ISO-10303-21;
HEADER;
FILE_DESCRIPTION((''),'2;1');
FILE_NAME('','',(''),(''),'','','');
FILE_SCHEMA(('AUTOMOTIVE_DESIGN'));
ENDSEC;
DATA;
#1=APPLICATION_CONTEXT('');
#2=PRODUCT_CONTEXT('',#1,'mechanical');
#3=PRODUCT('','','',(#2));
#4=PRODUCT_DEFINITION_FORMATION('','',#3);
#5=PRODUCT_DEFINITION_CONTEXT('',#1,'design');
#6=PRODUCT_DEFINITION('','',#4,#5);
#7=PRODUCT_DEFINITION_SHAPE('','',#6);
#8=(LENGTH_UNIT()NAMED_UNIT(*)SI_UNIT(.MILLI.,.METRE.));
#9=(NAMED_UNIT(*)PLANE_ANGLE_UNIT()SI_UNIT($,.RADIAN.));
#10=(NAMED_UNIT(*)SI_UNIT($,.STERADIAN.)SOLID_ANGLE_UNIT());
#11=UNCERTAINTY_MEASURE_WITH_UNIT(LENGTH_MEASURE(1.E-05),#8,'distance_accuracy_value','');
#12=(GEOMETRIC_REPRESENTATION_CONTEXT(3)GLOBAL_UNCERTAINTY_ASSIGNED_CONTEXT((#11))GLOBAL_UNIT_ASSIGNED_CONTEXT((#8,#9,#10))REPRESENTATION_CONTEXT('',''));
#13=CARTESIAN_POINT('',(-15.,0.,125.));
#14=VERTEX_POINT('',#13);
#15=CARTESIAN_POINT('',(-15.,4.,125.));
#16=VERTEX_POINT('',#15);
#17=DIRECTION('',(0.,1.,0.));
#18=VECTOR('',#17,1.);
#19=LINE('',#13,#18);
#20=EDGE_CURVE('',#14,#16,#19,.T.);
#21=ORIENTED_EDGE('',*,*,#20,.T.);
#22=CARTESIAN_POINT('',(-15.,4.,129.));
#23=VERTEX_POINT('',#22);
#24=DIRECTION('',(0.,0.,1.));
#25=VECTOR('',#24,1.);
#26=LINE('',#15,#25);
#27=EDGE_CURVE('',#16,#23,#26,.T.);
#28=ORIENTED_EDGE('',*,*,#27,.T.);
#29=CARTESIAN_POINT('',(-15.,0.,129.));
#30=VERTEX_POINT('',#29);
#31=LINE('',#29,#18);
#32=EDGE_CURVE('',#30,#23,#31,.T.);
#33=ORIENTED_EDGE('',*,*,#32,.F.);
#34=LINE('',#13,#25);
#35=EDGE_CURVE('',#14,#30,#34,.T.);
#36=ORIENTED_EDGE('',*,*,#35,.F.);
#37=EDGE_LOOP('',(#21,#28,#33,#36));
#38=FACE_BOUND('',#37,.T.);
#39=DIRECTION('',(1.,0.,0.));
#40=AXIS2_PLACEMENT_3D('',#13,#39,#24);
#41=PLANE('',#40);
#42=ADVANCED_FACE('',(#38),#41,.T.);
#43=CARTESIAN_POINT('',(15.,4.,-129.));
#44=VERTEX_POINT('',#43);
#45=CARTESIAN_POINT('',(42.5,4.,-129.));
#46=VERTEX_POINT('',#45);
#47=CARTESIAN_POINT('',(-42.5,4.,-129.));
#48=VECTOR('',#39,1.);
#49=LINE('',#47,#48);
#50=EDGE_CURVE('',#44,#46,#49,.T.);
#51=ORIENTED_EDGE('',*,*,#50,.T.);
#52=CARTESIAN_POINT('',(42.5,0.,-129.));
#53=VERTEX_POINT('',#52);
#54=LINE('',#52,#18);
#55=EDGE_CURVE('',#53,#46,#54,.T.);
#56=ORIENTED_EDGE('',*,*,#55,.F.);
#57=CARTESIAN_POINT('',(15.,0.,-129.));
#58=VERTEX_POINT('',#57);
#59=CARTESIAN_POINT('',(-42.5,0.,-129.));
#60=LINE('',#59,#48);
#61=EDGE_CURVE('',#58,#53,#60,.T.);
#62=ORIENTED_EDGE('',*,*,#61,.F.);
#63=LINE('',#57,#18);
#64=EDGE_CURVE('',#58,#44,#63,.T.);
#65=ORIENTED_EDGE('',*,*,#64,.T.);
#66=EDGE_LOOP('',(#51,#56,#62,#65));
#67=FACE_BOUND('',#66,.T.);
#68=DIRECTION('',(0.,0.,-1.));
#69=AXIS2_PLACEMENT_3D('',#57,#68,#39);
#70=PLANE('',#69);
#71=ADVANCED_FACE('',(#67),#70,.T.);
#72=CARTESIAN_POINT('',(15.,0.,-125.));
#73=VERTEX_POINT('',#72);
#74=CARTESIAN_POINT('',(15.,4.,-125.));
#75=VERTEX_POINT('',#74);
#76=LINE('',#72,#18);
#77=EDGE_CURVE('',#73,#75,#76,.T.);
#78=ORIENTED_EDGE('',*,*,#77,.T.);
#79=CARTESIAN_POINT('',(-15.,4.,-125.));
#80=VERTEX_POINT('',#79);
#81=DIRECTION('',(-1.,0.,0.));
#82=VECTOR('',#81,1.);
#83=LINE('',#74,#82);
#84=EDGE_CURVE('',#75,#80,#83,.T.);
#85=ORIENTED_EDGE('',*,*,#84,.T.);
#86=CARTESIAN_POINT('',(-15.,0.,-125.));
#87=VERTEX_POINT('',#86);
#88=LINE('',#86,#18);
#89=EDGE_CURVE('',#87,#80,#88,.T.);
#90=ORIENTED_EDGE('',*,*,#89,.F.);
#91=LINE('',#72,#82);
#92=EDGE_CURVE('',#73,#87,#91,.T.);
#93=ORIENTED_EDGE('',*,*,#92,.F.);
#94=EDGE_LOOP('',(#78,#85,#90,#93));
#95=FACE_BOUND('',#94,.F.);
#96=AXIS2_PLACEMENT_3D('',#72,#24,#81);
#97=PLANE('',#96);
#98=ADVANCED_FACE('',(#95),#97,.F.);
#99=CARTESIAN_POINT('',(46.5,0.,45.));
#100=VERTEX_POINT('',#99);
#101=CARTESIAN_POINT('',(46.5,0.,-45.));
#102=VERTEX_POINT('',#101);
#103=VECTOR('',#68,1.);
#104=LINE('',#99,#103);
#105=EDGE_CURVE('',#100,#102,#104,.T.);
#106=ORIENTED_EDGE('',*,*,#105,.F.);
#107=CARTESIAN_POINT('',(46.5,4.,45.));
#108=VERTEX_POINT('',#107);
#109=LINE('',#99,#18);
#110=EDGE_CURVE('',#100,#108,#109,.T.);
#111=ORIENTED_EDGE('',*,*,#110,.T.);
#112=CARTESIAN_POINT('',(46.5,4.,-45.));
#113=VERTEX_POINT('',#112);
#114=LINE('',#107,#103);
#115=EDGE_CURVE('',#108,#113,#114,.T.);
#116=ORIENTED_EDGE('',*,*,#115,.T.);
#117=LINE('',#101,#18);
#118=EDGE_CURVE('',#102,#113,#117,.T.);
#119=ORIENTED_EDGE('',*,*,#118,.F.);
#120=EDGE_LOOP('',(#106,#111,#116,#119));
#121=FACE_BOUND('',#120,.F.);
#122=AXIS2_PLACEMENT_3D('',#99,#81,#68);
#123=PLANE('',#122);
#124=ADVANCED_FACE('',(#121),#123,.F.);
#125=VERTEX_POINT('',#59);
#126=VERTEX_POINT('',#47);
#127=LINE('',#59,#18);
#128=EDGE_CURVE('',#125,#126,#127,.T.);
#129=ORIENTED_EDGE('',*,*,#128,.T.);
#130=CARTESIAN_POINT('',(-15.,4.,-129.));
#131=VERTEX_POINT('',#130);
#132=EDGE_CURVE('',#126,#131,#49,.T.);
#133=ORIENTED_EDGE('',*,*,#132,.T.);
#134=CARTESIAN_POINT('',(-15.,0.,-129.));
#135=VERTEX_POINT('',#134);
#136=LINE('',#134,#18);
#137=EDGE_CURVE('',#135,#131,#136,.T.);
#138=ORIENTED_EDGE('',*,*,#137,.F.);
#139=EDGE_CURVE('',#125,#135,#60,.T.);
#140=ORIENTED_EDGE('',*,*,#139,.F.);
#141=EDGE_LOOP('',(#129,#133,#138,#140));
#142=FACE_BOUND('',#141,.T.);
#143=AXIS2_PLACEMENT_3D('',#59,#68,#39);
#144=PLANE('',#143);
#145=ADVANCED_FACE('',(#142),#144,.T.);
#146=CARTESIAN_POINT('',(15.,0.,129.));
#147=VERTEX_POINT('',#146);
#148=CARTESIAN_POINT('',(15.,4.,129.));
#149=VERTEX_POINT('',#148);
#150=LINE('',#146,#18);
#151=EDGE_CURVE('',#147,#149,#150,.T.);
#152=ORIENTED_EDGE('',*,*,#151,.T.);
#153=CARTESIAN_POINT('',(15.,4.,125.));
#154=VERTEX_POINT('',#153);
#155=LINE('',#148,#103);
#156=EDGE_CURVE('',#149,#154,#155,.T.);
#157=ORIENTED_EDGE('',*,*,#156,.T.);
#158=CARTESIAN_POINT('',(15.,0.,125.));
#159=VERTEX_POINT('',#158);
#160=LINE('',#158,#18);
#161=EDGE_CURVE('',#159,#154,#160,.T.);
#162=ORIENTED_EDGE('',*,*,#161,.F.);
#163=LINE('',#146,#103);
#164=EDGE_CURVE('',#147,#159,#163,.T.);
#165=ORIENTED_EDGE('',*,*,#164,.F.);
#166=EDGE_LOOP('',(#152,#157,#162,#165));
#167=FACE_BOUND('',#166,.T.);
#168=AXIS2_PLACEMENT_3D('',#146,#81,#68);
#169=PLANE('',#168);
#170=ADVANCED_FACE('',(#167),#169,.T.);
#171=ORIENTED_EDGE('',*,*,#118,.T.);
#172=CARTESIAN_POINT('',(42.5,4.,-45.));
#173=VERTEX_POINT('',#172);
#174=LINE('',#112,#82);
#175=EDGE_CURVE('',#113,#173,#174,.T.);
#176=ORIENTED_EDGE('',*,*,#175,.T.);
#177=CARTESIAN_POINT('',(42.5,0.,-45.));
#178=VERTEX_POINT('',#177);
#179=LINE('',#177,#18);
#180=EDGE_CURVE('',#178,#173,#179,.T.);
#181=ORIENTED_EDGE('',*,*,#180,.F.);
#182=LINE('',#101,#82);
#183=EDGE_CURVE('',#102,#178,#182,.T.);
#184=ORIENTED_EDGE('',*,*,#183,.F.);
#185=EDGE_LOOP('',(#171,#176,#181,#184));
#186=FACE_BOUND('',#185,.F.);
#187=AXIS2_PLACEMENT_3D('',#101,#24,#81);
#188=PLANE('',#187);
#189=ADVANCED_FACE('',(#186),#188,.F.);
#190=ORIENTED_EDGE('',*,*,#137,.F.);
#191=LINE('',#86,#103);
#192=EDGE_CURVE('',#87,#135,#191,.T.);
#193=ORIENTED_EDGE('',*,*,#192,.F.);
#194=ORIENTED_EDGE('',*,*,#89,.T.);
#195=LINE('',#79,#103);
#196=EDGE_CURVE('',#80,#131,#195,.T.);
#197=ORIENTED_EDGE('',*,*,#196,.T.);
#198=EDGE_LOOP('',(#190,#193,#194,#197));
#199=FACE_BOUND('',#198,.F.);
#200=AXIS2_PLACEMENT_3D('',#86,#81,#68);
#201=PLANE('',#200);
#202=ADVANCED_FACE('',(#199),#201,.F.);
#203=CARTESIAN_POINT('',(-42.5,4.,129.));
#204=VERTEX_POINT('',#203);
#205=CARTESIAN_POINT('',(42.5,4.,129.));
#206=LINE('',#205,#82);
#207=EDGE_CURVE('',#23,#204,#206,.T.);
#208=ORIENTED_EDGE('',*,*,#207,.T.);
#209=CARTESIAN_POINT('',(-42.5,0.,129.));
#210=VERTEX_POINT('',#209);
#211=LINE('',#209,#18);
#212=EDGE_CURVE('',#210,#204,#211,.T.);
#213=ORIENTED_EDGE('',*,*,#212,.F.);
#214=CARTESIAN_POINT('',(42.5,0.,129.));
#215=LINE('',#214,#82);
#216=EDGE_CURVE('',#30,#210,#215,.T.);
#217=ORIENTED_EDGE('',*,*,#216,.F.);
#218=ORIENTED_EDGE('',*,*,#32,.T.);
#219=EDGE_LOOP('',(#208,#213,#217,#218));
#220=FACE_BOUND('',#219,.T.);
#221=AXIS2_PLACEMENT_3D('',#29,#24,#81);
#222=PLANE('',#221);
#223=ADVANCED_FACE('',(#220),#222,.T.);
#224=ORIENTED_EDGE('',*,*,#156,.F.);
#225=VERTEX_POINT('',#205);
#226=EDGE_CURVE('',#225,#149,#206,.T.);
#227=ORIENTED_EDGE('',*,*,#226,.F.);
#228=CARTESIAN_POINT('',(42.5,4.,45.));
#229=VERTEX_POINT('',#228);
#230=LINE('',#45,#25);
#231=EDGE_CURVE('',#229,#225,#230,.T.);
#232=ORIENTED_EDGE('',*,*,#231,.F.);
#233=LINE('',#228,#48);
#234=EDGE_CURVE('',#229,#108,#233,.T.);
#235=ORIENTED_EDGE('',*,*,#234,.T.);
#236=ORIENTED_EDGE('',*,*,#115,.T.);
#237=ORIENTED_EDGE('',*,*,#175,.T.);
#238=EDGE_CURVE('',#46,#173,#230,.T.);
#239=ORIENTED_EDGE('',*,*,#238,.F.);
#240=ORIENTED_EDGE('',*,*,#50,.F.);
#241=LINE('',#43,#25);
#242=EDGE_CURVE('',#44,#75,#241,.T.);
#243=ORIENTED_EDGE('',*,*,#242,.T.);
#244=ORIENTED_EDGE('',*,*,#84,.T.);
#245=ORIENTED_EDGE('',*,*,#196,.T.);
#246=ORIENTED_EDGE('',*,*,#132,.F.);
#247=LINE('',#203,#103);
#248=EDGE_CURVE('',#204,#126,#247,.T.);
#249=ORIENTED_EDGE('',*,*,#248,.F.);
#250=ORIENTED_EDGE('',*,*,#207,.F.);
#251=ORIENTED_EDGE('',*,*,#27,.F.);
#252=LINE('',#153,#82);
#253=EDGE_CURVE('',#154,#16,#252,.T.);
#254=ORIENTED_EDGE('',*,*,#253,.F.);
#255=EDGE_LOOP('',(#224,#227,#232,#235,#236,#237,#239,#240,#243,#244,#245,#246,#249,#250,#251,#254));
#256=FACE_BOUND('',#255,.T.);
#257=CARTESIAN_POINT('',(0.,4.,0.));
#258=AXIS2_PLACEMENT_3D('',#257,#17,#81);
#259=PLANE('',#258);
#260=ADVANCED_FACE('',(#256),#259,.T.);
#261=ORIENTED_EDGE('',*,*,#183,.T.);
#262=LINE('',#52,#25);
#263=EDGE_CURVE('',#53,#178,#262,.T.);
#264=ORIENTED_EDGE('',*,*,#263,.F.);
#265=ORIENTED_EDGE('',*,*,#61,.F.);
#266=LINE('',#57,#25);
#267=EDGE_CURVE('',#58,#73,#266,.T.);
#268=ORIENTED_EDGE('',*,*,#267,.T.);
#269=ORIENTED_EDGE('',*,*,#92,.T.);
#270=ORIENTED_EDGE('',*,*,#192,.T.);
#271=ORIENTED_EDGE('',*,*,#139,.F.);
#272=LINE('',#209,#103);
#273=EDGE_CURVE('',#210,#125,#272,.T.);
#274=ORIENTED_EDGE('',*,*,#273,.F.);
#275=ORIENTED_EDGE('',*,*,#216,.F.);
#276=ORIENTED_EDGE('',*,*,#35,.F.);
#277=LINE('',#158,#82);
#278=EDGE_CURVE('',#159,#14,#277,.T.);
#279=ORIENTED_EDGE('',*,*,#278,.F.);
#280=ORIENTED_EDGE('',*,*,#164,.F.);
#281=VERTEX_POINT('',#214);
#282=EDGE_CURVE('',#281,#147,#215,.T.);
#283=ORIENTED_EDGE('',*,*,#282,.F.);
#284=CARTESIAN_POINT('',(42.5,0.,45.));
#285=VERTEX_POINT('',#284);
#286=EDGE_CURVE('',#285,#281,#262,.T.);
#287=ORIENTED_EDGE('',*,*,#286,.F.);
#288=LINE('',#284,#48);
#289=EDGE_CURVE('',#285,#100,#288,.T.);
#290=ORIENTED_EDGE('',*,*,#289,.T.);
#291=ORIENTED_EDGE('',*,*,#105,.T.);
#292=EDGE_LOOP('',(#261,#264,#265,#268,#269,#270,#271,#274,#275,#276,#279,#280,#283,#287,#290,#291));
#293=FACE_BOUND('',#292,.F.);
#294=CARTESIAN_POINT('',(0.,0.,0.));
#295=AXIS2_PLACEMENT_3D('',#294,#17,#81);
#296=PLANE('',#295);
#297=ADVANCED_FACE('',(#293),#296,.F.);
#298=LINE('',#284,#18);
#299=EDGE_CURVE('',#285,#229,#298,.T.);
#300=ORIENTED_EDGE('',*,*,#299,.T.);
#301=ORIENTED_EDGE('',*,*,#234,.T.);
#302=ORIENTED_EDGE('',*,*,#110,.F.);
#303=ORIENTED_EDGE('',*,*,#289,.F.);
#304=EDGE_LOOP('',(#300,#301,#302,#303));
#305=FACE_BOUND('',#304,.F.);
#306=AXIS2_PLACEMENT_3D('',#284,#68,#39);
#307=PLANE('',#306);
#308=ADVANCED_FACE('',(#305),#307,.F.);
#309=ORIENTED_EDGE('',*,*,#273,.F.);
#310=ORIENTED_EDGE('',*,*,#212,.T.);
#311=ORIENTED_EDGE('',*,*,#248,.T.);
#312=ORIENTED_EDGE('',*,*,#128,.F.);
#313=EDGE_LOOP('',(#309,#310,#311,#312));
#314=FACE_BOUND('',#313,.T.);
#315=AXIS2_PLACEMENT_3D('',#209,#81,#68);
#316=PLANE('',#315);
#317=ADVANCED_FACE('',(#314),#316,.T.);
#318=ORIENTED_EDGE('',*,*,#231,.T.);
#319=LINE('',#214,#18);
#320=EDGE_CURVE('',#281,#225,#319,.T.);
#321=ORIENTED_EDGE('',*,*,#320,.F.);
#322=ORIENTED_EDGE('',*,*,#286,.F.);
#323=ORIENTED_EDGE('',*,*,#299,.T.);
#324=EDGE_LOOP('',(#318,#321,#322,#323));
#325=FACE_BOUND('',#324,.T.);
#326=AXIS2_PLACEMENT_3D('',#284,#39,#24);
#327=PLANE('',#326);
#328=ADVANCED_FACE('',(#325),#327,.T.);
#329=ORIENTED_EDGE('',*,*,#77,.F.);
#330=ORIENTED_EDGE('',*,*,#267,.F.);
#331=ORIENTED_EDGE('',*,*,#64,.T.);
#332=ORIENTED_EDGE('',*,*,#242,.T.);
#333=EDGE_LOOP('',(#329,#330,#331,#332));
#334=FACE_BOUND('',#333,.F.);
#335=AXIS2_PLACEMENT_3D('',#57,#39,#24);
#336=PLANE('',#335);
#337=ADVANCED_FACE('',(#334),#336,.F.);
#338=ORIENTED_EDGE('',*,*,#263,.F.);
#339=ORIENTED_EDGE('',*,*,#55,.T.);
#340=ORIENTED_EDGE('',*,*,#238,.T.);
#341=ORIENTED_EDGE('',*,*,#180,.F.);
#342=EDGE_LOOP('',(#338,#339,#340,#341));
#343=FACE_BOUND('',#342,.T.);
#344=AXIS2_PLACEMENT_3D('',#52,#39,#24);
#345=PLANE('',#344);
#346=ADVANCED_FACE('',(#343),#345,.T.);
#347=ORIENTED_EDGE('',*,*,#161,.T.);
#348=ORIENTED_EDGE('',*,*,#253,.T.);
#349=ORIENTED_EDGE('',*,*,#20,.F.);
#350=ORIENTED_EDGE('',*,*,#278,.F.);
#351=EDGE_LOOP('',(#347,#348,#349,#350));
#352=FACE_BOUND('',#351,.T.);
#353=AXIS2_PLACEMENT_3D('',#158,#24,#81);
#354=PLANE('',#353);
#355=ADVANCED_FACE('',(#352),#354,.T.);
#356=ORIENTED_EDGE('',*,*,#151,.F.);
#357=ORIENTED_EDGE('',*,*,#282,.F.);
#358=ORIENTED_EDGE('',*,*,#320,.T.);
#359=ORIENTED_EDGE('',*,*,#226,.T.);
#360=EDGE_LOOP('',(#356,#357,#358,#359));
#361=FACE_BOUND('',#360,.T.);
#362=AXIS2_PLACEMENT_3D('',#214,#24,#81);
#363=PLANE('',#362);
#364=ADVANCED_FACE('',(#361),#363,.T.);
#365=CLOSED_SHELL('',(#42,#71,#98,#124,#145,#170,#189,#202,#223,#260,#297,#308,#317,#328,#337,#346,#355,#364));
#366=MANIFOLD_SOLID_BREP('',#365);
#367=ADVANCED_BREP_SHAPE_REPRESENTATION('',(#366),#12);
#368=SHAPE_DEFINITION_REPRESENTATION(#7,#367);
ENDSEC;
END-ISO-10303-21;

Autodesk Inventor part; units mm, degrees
ref_plane "YZ Plane" through (0, 0, 0) normal (1, 0, 0) x (0, 1, 0)
ref_plane "XZ Plane" through (0, 0, 0) normal (0, 1, 0) x (-1, 0, 0)
ref_plane "XY Plane" through (0, 0, 0) normal (0, 0, 1) x (1, 0, 0)
sketch "Эскиз1" plane through (0, 0, 0) normal (0, 1, 0) x (-1, 0, 0)
  line L0 (-42.5, 129) -> (42.5, 129)
  line L1 (42.5, 129) -> (42.5, -129)
  line L2 (42.5, -129) -> (-42.5, -129)
  line L3 (-42.5, -129) -> (-42.5, 129)
  line L4 (-42.5, 129) -> (42.5, -129) construction
  line L5 (42.5, 129) -> (-42.5, -129) construction
  line L6 (0, 0) -> (-44.5, 0) construction
  line L7 (-42.5, 45) -> (-46.5, 45)
  line L8 (-46.5, 45) -> (-46.5, -45)
  line L9 (-46.5, -45) -> (-42.5, -45)
  line L10 (-42.5, -45) -> (-42.5, 45)
  line L11 (-42.5, 45) -> (-46.5, -45) construction
  line L12 (-46.5, 45) -> (-42.5, -45) construction
  line L13 (-15, 125) -> (15, 125)
  line L14 (15, 125) -> (15, 129)
  line L15 (15, 129) -> (-15, 129)
  line L16 (-15, 129) -> (-15, 125)
  line L17 (-15, 125) -> (15, 129) construction
  line L18 (15, 125) -> (-15, 129) construction
  line L19 (0, -163.7504) -> (0, 0) construction
  line L20 (-15, -125) -> (15, -125)
  line L21 (15, -125) -> (15, -129)
  line L22 (-15, -129) -> (-15, -125)
  line L23 (15, -129) -> (-15, -129)
  point P0 (0, 0)
  point P1 (-10, -165.5)
  point P2 (-10, -255.5)
  point P3 (-44.5, 0)
  point P4 (-10, -45)
  point P5 (-10, 45)
  point P6 (0, 127)
  point P7 (-5, -342)
  point P8 (5, -342)
  point P9 (5, 342)
  point P10 (-5, 342)
  point P11 (0, 0)
  point P12 (-42.5, 45)
  point P13 (-42.5, -45)
  point P14 (-15, -129)
  point P15 (15, -129)
  dimension "d0" = 258
  dimension "d1" = 85
  dimension "d5" = 90
  dimension "d6" = 4
  dimension "d7" = 4
  dimension "d8" = 30
extrude "Выдавливание1" add sketch "Эскиз1" along normal blind 4 contours L0 L16 L13 L14 L1 L2 L21 L20 L22 L3 | L3 L9 L8 L7
properties part number "стенка 2"
